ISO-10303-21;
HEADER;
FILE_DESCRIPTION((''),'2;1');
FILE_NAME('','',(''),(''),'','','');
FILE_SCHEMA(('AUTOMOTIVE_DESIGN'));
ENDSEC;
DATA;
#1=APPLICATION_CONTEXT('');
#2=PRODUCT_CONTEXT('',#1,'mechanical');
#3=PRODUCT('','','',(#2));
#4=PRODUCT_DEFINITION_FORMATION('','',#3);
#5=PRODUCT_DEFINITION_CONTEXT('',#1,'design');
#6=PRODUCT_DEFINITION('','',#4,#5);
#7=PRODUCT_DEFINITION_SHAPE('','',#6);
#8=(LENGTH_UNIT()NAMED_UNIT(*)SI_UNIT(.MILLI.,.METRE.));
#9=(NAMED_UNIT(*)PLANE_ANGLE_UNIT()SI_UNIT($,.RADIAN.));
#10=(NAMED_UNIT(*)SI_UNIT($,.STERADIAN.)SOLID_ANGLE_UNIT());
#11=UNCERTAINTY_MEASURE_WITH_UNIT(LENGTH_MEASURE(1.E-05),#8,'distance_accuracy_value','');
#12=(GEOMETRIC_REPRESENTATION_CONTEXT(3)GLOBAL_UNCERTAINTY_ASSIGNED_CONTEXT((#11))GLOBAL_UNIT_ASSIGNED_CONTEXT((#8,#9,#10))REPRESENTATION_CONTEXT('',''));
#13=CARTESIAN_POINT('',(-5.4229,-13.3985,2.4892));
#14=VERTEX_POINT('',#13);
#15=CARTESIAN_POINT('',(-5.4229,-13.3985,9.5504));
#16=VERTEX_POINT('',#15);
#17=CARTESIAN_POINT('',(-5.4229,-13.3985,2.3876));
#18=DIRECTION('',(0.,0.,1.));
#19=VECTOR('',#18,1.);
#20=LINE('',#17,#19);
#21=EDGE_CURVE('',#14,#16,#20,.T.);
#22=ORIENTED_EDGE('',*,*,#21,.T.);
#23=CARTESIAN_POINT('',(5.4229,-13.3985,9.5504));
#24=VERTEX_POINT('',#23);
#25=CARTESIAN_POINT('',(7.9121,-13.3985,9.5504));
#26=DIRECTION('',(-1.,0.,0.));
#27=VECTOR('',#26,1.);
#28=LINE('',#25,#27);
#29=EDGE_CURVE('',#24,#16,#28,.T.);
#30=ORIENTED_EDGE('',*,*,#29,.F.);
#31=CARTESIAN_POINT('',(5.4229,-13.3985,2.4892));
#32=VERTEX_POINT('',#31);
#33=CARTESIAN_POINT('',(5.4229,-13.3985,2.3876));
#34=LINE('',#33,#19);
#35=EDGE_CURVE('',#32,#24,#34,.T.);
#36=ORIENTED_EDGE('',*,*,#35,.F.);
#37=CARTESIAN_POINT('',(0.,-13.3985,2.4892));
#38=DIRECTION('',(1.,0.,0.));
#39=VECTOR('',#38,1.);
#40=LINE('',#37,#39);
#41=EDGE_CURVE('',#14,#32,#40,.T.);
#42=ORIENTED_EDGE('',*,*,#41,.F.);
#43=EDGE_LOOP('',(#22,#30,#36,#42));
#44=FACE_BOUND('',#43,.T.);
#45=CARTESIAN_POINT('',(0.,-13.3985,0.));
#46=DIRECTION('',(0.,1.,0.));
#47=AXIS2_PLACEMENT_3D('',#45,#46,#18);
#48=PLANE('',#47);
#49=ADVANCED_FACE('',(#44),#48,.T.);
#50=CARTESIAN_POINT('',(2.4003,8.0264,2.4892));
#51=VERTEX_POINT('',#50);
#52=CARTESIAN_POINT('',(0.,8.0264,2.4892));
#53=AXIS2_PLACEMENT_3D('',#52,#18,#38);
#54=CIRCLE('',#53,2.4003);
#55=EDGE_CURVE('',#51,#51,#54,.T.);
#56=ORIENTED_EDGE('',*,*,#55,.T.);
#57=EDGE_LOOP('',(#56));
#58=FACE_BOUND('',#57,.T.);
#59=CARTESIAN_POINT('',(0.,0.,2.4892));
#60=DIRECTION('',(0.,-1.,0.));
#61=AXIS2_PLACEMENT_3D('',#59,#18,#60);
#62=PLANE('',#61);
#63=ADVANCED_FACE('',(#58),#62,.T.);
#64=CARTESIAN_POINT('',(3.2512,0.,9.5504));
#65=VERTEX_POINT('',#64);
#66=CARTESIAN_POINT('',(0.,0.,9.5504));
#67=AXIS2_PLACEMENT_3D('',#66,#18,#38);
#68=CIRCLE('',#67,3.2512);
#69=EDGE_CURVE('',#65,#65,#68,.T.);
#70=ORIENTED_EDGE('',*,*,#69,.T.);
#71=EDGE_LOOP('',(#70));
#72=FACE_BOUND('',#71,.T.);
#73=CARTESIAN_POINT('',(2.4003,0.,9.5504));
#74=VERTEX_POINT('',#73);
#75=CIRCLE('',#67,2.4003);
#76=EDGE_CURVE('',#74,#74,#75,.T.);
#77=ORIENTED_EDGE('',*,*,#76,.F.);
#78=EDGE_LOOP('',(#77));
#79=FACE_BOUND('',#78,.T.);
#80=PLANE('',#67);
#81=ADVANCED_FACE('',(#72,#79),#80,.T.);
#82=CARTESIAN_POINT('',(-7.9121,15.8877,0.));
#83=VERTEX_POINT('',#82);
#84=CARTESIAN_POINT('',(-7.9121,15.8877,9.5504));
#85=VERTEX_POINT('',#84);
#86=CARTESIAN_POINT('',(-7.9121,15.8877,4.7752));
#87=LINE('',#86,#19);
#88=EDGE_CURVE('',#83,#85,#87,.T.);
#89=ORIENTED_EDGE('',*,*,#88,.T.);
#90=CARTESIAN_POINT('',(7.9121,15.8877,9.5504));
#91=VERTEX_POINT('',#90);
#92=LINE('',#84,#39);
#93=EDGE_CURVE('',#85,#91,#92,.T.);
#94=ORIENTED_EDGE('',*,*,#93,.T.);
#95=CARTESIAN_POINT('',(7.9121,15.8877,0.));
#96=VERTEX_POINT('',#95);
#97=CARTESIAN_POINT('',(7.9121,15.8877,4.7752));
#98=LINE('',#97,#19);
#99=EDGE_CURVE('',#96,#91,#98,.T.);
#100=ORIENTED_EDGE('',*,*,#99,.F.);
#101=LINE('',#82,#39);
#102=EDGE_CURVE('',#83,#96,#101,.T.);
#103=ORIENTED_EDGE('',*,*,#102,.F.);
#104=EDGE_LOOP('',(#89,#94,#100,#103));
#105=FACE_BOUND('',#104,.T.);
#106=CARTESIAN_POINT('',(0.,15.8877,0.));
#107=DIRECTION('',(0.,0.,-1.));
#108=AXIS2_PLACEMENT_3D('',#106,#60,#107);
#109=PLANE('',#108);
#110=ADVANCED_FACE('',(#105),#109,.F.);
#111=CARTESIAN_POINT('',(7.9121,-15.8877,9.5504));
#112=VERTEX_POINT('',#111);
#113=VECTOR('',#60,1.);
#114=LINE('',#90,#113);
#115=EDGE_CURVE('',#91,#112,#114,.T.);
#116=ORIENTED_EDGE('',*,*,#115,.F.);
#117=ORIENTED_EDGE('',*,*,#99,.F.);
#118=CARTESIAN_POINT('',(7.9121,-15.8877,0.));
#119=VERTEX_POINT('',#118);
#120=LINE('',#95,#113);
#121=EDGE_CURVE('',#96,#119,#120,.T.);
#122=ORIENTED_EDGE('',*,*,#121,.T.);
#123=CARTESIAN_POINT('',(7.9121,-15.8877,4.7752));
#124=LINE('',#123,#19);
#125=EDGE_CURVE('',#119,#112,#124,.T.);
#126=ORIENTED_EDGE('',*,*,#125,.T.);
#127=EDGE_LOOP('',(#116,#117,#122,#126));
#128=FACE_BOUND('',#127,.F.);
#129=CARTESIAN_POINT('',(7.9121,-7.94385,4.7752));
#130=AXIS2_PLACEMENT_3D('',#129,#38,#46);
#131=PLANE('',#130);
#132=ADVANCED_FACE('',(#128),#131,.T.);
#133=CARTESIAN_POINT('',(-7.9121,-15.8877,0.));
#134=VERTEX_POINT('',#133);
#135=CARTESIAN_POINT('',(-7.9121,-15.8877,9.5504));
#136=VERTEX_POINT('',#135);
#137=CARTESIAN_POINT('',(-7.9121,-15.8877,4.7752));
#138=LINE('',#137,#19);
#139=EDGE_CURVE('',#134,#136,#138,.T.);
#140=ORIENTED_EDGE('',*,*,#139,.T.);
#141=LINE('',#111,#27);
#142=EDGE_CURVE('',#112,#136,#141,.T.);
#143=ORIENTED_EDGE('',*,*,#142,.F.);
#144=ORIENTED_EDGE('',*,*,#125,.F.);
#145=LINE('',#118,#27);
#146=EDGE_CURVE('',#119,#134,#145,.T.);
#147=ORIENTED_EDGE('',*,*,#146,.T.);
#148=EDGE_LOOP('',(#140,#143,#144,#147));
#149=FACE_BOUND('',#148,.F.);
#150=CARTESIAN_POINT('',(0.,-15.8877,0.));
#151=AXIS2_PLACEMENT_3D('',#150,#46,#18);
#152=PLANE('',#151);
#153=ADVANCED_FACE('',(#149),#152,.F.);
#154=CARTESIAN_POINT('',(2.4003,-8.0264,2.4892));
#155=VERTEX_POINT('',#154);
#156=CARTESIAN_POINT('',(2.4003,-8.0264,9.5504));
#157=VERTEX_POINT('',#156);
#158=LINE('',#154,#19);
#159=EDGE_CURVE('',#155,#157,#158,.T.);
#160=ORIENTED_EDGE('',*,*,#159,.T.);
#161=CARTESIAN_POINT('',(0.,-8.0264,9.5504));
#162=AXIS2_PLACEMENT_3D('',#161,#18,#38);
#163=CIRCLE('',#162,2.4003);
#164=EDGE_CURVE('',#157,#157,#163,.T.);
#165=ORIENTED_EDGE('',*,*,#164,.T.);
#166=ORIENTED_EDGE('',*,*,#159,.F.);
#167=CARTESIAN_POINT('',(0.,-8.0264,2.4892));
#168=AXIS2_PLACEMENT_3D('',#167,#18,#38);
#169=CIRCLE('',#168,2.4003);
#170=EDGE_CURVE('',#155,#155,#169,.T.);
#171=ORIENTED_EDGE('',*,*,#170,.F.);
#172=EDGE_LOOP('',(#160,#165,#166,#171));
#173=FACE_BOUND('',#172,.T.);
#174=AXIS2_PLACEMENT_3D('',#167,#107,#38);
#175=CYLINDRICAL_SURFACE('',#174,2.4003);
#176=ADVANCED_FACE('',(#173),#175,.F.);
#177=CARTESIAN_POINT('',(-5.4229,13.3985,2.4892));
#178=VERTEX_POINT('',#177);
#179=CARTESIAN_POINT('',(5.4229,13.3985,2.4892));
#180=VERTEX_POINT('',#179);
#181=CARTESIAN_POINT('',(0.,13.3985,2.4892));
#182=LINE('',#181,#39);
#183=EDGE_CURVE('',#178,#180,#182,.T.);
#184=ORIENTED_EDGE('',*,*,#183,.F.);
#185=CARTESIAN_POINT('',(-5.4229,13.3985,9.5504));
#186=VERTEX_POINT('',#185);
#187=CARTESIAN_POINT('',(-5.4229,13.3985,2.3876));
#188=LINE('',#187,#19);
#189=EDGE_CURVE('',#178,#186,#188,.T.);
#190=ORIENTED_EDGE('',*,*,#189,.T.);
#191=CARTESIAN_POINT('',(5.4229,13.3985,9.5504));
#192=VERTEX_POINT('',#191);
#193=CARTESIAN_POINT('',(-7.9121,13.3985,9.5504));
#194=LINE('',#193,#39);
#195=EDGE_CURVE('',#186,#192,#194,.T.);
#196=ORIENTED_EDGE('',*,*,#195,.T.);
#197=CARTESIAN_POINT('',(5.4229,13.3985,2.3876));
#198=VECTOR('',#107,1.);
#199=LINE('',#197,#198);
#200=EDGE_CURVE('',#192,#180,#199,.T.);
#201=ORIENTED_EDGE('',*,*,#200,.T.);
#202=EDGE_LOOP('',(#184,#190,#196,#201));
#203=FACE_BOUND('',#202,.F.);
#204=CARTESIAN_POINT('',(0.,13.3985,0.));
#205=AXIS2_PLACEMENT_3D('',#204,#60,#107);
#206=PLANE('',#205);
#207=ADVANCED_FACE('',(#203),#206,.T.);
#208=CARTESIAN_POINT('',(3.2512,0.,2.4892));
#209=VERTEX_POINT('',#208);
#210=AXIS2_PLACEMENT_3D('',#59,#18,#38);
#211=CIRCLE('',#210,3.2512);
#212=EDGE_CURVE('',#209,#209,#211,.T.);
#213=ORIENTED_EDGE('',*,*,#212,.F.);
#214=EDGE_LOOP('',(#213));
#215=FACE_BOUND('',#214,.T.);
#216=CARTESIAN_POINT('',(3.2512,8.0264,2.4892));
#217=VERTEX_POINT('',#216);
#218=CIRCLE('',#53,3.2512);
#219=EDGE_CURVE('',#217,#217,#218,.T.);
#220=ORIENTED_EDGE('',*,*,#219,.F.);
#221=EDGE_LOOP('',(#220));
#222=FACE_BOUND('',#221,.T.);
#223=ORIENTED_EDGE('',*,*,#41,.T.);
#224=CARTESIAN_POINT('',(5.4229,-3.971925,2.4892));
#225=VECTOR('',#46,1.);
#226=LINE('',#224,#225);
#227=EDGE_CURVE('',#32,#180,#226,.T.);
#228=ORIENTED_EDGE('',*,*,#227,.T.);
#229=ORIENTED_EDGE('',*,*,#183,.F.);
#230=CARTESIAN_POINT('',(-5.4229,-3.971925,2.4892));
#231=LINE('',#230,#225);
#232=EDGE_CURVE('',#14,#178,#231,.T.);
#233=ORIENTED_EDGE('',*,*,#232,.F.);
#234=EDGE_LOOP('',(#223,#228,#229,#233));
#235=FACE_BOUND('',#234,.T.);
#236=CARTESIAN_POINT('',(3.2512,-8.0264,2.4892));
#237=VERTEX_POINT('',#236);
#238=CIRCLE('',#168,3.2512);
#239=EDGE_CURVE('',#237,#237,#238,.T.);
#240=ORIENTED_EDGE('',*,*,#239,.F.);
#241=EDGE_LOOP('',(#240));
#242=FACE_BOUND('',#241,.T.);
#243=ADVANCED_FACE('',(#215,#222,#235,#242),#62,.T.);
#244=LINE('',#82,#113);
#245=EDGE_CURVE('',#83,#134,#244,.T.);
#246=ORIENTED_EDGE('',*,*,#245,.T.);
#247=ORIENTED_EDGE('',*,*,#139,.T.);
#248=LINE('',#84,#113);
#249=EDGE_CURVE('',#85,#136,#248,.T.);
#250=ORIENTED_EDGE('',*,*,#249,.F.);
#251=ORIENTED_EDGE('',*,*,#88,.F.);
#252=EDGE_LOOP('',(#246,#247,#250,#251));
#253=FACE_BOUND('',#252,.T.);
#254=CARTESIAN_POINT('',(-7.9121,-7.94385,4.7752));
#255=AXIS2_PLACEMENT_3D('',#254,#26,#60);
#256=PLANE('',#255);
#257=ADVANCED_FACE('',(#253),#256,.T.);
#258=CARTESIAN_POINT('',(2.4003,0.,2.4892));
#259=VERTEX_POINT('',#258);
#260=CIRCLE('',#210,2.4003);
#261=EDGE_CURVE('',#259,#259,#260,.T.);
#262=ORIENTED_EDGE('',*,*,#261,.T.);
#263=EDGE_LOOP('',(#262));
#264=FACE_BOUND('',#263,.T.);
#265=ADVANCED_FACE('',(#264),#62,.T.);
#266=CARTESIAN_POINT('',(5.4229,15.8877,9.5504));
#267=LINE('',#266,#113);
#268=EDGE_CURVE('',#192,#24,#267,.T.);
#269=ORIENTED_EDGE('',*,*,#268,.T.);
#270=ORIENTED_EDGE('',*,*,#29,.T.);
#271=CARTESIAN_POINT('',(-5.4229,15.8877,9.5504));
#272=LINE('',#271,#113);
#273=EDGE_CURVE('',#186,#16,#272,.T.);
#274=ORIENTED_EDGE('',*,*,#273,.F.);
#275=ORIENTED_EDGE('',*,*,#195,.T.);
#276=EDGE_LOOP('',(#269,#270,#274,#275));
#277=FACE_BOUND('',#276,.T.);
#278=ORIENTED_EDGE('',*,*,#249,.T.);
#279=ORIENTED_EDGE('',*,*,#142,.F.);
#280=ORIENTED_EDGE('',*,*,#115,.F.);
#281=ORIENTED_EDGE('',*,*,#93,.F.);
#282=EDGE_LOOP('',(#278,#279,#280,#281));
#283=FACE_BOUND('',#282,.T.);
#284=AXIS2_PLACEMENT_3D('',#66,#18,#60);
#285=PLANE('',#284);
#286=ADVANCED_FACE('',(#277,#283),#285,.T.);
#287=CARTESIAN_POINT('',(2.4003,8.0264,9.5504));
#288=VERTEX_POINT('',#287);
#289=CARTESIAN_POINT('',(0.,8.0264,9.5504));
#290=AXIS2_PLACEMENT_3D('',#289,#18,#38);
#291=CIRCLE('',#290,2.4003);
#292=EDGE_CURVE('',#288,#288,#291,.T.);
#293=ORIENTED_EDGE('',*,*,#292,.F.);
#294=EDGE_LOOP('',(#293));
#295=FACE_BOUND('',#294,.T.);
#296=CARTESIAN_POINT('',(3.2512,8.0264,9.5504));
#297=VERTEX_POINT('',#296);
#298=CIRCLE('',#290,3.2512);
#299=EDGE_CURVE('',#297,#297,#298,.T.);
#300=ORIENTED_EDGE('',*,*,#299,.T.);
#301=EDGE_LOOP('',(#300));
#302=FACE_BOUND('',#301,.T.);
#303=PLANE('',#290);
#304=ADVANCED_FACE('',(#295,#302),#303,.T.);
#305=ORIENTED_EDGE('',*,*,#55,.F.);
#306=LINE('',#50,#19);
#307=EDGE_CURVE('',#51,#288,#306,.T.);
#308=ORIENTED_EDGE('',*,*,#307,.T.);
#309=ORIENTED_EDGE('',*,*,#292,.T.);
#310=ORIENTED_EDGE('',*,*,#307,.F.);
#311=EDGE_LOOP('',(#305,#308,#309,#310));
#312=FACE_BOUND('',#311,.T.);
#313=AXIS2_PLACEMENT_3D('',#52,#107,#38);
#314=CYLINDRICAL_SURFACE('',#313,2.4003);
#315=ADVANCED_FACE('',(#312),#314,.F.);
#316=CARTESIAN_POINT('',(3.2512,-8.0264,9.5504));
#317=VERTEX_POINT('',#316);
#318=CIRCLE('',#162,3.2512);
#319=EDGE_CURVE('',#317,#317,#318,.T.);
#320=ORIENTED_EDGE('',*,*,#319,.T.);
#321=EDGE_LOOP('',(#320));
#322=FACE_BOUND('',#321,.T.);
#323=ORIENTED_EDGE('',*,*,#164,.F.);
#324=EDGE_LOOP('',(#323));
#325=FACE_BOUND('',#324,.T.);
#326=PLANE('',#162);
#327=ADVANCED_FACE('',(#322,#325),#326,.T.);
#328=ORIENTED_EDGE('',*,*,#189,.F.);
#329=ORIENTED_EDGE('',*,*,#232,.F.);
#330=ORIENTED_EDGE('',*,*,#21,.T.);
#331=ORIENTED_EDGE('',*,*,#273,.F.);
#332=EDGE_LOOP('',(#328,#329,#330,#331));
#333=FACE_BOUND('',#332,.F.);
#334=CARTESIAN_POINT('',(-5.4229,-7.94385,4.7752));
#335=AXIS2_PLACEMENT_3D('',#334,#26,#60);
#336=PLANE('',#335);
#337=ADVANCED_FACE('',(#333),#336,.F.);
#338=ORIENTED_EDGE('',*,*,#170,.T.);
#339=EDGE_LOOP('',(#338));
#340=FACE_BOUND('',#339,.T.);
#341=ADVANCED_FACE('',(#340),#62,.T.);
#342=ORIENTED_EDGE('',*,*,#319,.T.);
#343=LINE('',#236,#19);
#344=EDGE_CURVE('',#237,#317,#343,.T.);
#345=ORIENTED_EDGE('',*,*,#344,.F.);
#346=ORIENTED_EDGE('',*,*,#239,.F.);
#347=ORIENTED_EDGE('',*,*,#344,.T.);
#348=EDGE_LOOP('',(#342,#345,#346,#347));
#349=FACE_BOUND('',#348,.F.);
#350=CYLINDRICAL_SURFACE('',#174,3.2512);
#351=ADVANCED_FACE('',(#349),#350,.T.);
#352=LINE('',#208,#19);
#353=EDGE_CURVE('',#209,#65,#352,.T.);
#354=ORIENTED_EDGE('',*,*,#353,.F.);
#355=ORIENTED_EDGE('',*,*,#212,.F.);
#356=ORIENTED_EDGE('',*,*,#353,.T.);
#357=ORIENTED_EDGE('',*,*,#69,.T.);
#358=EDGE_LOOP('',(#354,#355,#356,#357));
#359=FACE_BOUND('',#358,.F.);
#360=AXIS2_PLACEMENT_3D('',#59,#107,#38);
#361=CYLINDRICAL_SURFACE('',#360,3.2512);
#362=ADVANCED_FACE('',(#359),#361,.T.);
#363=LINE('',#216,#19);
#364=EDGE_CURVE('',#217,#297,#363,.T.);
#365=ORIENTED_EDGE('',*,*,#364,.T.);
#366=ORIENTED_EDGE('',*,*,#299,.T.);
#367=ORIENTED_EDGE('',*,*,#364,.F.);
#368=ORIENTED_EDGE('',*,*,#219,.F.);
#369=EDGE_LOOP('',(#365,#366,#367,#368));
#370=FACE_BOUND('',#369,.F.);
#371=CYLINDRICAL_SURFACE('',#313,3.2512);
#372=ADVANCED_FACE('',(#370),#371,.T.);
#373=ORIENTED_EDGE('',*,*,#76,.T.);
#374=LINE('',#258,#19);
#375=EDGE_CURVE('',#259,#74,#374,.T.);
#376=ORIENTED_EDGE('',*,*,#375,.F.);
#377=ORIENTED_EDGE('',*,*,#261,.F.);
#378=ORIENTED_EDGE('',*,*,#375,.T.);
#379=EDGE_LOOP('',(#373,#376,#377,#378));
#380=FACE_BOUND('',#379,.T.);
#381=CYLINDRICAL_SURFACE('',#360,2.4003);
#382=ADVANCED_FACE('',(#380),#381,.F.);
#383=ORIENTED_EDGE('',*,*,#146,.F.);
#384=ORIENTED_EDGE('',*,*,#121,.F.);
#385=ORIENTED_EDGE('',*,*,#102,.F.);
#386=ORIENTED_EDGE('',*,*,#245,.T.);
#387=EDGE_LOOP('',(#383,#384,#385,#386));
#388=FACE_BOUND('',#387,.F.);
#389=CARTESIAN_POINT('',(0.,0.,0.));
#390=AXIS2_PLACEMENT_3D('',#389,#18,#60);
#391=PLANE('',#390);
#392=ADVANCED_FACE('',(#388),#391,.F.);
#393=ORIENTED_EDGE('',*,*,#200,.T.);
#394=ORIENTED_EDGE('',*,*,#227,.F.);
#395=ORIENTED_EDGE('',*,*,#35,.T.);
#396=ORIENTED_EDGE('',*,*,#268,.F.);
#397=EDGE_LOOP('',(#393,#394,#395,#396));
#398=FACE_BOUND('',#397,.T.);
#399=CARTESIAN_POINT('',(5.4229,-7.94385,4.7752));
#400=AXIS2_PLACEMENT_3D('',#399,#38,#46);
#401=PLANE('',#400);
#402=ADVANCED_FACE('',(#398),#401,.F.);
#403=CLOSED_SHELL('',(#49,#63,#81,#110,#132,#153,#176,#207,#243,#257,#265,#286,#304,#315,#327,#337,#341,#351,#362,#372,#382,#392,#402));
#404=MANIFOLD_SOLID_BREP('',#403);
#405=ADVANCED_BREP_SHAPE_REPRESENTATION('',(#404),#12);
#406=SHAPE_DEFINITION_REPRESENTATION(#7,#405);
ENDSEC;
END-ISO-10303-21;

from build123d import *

# Parameters (mm, degrees)
F0_W     = 15.8877
F0_H     = 9.5504
F1_DEPTH = 7.9121
F4_T     = -2.4892
F5_R     = 3.2512
F5_R_2   = 2.4003
F6_DEPTH = 7.0612


with BuildPart() as f1:
    # F0 (on Right) → F1 (new body)
    with BuildSketch(Plane.YZ):
        with Locations((7.94385, 4.7752)):
            Rectangle(F0_W, F0_H)
    extrude(amount=F1_DEPTH)

    # F2: F1 across plane


with BuildPart() as f1_1:
    add(f1.part)
    add(f1.part.mirror(Plane.XZ))

    # F3: F1 across plane


with BuildPart() as f1_2:
    add(f1_1.part)
    add(f1_1.part.mirror(Plane.YZ))

    # F4
    f4_openings = [f1_2.faces().sort_by_distance(p)[0] for p in [
        (0, 0, 9.5504),
    ]]
    offset(amount=F4_T, openings=f4_openings)

    # F5 (on face) → F6 (join, through all)
    with BuildSketch(Plane.XY.offset(2.4892)):
        with Locations((0, -8.0264)):
            Circle(F5_R)
        with Locations((0, -8.0264)):
            Circle(F5_R_2, mode=Mode.SUBTRACT)
        Circle(F5_R)
        Circle(F5_R_2, mode=Mode.SUBTRACT)
        with Locations((0, 8.0264)):
            Circle(F5_R)
        with Locations((0, 8.0264)):
            Circle(F5_R_2, mode=Mode.SUBTRACT)
    extrude(amount=F6_DEPTH)


solid = f1_2.part
